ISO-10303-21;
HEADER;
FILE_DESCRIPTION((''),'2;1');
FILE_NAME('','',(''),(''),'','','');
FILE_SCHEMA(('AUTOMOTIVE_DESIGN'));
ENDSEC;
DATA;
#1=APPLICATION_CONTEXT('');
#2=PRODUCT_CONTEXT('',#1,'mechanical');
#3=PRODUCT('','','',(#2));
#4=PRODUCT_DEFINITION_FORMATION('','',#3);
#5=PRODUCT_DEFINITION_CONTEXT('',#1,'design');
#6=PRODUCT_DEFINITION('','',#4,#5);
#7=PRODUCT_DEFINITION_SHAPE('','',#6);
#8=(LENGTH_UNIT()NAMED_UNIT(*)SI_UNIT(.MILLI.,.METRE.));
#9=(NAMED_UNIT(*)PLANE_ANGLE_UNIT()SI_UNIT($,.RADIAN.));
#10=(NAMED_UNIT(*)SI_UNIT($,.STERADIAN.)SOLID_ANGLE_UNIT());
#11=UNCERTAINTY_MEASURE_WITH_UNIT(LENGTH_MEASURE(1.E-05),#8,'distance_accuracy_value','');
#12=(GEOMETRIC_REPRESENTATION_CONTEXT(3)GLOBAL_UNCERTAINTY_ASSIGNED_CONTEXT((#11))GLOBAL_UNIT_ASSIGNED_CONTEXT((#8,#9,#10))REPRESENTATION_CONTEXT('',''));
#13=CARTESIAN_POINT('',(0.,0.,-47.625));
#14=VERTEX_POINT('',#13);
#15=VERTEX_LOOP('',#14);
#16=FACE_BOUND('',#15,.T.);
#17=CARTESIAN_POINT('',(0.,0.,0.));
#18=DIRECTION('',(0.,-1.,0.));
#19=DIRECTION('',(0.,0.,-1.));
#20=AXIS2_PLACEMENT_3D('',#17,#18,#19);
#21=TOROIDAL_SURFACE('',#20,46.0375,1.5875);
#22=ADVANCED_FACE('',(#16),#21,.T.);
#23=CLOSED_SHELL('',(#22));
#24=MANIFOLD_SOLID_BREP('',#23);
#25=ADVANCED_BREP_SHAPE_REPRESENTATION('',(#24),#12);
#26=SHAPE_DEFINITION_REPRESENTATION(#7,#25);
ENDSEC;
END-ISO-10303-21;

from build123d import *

# Parameters (mm, degrees)
SKETCH1_R = 1.5875


with BuildPart() as part:
    # Sketch1 → Revolve1 (revolve)
    with BuildSketch(Plane.XY, mode=Mode.PRIVATE) as revolve1_sk:
        with Locations((-46.0375, 0)):
            Circle(SKETCH1_R)
    revolve(revolve1_sk.sketch.rotate(Axis((0, 0, 0), (0, 1, 0)), 270), axis=Axis((0, 0, 0), (0, 1, 0)))


solid = part.part
